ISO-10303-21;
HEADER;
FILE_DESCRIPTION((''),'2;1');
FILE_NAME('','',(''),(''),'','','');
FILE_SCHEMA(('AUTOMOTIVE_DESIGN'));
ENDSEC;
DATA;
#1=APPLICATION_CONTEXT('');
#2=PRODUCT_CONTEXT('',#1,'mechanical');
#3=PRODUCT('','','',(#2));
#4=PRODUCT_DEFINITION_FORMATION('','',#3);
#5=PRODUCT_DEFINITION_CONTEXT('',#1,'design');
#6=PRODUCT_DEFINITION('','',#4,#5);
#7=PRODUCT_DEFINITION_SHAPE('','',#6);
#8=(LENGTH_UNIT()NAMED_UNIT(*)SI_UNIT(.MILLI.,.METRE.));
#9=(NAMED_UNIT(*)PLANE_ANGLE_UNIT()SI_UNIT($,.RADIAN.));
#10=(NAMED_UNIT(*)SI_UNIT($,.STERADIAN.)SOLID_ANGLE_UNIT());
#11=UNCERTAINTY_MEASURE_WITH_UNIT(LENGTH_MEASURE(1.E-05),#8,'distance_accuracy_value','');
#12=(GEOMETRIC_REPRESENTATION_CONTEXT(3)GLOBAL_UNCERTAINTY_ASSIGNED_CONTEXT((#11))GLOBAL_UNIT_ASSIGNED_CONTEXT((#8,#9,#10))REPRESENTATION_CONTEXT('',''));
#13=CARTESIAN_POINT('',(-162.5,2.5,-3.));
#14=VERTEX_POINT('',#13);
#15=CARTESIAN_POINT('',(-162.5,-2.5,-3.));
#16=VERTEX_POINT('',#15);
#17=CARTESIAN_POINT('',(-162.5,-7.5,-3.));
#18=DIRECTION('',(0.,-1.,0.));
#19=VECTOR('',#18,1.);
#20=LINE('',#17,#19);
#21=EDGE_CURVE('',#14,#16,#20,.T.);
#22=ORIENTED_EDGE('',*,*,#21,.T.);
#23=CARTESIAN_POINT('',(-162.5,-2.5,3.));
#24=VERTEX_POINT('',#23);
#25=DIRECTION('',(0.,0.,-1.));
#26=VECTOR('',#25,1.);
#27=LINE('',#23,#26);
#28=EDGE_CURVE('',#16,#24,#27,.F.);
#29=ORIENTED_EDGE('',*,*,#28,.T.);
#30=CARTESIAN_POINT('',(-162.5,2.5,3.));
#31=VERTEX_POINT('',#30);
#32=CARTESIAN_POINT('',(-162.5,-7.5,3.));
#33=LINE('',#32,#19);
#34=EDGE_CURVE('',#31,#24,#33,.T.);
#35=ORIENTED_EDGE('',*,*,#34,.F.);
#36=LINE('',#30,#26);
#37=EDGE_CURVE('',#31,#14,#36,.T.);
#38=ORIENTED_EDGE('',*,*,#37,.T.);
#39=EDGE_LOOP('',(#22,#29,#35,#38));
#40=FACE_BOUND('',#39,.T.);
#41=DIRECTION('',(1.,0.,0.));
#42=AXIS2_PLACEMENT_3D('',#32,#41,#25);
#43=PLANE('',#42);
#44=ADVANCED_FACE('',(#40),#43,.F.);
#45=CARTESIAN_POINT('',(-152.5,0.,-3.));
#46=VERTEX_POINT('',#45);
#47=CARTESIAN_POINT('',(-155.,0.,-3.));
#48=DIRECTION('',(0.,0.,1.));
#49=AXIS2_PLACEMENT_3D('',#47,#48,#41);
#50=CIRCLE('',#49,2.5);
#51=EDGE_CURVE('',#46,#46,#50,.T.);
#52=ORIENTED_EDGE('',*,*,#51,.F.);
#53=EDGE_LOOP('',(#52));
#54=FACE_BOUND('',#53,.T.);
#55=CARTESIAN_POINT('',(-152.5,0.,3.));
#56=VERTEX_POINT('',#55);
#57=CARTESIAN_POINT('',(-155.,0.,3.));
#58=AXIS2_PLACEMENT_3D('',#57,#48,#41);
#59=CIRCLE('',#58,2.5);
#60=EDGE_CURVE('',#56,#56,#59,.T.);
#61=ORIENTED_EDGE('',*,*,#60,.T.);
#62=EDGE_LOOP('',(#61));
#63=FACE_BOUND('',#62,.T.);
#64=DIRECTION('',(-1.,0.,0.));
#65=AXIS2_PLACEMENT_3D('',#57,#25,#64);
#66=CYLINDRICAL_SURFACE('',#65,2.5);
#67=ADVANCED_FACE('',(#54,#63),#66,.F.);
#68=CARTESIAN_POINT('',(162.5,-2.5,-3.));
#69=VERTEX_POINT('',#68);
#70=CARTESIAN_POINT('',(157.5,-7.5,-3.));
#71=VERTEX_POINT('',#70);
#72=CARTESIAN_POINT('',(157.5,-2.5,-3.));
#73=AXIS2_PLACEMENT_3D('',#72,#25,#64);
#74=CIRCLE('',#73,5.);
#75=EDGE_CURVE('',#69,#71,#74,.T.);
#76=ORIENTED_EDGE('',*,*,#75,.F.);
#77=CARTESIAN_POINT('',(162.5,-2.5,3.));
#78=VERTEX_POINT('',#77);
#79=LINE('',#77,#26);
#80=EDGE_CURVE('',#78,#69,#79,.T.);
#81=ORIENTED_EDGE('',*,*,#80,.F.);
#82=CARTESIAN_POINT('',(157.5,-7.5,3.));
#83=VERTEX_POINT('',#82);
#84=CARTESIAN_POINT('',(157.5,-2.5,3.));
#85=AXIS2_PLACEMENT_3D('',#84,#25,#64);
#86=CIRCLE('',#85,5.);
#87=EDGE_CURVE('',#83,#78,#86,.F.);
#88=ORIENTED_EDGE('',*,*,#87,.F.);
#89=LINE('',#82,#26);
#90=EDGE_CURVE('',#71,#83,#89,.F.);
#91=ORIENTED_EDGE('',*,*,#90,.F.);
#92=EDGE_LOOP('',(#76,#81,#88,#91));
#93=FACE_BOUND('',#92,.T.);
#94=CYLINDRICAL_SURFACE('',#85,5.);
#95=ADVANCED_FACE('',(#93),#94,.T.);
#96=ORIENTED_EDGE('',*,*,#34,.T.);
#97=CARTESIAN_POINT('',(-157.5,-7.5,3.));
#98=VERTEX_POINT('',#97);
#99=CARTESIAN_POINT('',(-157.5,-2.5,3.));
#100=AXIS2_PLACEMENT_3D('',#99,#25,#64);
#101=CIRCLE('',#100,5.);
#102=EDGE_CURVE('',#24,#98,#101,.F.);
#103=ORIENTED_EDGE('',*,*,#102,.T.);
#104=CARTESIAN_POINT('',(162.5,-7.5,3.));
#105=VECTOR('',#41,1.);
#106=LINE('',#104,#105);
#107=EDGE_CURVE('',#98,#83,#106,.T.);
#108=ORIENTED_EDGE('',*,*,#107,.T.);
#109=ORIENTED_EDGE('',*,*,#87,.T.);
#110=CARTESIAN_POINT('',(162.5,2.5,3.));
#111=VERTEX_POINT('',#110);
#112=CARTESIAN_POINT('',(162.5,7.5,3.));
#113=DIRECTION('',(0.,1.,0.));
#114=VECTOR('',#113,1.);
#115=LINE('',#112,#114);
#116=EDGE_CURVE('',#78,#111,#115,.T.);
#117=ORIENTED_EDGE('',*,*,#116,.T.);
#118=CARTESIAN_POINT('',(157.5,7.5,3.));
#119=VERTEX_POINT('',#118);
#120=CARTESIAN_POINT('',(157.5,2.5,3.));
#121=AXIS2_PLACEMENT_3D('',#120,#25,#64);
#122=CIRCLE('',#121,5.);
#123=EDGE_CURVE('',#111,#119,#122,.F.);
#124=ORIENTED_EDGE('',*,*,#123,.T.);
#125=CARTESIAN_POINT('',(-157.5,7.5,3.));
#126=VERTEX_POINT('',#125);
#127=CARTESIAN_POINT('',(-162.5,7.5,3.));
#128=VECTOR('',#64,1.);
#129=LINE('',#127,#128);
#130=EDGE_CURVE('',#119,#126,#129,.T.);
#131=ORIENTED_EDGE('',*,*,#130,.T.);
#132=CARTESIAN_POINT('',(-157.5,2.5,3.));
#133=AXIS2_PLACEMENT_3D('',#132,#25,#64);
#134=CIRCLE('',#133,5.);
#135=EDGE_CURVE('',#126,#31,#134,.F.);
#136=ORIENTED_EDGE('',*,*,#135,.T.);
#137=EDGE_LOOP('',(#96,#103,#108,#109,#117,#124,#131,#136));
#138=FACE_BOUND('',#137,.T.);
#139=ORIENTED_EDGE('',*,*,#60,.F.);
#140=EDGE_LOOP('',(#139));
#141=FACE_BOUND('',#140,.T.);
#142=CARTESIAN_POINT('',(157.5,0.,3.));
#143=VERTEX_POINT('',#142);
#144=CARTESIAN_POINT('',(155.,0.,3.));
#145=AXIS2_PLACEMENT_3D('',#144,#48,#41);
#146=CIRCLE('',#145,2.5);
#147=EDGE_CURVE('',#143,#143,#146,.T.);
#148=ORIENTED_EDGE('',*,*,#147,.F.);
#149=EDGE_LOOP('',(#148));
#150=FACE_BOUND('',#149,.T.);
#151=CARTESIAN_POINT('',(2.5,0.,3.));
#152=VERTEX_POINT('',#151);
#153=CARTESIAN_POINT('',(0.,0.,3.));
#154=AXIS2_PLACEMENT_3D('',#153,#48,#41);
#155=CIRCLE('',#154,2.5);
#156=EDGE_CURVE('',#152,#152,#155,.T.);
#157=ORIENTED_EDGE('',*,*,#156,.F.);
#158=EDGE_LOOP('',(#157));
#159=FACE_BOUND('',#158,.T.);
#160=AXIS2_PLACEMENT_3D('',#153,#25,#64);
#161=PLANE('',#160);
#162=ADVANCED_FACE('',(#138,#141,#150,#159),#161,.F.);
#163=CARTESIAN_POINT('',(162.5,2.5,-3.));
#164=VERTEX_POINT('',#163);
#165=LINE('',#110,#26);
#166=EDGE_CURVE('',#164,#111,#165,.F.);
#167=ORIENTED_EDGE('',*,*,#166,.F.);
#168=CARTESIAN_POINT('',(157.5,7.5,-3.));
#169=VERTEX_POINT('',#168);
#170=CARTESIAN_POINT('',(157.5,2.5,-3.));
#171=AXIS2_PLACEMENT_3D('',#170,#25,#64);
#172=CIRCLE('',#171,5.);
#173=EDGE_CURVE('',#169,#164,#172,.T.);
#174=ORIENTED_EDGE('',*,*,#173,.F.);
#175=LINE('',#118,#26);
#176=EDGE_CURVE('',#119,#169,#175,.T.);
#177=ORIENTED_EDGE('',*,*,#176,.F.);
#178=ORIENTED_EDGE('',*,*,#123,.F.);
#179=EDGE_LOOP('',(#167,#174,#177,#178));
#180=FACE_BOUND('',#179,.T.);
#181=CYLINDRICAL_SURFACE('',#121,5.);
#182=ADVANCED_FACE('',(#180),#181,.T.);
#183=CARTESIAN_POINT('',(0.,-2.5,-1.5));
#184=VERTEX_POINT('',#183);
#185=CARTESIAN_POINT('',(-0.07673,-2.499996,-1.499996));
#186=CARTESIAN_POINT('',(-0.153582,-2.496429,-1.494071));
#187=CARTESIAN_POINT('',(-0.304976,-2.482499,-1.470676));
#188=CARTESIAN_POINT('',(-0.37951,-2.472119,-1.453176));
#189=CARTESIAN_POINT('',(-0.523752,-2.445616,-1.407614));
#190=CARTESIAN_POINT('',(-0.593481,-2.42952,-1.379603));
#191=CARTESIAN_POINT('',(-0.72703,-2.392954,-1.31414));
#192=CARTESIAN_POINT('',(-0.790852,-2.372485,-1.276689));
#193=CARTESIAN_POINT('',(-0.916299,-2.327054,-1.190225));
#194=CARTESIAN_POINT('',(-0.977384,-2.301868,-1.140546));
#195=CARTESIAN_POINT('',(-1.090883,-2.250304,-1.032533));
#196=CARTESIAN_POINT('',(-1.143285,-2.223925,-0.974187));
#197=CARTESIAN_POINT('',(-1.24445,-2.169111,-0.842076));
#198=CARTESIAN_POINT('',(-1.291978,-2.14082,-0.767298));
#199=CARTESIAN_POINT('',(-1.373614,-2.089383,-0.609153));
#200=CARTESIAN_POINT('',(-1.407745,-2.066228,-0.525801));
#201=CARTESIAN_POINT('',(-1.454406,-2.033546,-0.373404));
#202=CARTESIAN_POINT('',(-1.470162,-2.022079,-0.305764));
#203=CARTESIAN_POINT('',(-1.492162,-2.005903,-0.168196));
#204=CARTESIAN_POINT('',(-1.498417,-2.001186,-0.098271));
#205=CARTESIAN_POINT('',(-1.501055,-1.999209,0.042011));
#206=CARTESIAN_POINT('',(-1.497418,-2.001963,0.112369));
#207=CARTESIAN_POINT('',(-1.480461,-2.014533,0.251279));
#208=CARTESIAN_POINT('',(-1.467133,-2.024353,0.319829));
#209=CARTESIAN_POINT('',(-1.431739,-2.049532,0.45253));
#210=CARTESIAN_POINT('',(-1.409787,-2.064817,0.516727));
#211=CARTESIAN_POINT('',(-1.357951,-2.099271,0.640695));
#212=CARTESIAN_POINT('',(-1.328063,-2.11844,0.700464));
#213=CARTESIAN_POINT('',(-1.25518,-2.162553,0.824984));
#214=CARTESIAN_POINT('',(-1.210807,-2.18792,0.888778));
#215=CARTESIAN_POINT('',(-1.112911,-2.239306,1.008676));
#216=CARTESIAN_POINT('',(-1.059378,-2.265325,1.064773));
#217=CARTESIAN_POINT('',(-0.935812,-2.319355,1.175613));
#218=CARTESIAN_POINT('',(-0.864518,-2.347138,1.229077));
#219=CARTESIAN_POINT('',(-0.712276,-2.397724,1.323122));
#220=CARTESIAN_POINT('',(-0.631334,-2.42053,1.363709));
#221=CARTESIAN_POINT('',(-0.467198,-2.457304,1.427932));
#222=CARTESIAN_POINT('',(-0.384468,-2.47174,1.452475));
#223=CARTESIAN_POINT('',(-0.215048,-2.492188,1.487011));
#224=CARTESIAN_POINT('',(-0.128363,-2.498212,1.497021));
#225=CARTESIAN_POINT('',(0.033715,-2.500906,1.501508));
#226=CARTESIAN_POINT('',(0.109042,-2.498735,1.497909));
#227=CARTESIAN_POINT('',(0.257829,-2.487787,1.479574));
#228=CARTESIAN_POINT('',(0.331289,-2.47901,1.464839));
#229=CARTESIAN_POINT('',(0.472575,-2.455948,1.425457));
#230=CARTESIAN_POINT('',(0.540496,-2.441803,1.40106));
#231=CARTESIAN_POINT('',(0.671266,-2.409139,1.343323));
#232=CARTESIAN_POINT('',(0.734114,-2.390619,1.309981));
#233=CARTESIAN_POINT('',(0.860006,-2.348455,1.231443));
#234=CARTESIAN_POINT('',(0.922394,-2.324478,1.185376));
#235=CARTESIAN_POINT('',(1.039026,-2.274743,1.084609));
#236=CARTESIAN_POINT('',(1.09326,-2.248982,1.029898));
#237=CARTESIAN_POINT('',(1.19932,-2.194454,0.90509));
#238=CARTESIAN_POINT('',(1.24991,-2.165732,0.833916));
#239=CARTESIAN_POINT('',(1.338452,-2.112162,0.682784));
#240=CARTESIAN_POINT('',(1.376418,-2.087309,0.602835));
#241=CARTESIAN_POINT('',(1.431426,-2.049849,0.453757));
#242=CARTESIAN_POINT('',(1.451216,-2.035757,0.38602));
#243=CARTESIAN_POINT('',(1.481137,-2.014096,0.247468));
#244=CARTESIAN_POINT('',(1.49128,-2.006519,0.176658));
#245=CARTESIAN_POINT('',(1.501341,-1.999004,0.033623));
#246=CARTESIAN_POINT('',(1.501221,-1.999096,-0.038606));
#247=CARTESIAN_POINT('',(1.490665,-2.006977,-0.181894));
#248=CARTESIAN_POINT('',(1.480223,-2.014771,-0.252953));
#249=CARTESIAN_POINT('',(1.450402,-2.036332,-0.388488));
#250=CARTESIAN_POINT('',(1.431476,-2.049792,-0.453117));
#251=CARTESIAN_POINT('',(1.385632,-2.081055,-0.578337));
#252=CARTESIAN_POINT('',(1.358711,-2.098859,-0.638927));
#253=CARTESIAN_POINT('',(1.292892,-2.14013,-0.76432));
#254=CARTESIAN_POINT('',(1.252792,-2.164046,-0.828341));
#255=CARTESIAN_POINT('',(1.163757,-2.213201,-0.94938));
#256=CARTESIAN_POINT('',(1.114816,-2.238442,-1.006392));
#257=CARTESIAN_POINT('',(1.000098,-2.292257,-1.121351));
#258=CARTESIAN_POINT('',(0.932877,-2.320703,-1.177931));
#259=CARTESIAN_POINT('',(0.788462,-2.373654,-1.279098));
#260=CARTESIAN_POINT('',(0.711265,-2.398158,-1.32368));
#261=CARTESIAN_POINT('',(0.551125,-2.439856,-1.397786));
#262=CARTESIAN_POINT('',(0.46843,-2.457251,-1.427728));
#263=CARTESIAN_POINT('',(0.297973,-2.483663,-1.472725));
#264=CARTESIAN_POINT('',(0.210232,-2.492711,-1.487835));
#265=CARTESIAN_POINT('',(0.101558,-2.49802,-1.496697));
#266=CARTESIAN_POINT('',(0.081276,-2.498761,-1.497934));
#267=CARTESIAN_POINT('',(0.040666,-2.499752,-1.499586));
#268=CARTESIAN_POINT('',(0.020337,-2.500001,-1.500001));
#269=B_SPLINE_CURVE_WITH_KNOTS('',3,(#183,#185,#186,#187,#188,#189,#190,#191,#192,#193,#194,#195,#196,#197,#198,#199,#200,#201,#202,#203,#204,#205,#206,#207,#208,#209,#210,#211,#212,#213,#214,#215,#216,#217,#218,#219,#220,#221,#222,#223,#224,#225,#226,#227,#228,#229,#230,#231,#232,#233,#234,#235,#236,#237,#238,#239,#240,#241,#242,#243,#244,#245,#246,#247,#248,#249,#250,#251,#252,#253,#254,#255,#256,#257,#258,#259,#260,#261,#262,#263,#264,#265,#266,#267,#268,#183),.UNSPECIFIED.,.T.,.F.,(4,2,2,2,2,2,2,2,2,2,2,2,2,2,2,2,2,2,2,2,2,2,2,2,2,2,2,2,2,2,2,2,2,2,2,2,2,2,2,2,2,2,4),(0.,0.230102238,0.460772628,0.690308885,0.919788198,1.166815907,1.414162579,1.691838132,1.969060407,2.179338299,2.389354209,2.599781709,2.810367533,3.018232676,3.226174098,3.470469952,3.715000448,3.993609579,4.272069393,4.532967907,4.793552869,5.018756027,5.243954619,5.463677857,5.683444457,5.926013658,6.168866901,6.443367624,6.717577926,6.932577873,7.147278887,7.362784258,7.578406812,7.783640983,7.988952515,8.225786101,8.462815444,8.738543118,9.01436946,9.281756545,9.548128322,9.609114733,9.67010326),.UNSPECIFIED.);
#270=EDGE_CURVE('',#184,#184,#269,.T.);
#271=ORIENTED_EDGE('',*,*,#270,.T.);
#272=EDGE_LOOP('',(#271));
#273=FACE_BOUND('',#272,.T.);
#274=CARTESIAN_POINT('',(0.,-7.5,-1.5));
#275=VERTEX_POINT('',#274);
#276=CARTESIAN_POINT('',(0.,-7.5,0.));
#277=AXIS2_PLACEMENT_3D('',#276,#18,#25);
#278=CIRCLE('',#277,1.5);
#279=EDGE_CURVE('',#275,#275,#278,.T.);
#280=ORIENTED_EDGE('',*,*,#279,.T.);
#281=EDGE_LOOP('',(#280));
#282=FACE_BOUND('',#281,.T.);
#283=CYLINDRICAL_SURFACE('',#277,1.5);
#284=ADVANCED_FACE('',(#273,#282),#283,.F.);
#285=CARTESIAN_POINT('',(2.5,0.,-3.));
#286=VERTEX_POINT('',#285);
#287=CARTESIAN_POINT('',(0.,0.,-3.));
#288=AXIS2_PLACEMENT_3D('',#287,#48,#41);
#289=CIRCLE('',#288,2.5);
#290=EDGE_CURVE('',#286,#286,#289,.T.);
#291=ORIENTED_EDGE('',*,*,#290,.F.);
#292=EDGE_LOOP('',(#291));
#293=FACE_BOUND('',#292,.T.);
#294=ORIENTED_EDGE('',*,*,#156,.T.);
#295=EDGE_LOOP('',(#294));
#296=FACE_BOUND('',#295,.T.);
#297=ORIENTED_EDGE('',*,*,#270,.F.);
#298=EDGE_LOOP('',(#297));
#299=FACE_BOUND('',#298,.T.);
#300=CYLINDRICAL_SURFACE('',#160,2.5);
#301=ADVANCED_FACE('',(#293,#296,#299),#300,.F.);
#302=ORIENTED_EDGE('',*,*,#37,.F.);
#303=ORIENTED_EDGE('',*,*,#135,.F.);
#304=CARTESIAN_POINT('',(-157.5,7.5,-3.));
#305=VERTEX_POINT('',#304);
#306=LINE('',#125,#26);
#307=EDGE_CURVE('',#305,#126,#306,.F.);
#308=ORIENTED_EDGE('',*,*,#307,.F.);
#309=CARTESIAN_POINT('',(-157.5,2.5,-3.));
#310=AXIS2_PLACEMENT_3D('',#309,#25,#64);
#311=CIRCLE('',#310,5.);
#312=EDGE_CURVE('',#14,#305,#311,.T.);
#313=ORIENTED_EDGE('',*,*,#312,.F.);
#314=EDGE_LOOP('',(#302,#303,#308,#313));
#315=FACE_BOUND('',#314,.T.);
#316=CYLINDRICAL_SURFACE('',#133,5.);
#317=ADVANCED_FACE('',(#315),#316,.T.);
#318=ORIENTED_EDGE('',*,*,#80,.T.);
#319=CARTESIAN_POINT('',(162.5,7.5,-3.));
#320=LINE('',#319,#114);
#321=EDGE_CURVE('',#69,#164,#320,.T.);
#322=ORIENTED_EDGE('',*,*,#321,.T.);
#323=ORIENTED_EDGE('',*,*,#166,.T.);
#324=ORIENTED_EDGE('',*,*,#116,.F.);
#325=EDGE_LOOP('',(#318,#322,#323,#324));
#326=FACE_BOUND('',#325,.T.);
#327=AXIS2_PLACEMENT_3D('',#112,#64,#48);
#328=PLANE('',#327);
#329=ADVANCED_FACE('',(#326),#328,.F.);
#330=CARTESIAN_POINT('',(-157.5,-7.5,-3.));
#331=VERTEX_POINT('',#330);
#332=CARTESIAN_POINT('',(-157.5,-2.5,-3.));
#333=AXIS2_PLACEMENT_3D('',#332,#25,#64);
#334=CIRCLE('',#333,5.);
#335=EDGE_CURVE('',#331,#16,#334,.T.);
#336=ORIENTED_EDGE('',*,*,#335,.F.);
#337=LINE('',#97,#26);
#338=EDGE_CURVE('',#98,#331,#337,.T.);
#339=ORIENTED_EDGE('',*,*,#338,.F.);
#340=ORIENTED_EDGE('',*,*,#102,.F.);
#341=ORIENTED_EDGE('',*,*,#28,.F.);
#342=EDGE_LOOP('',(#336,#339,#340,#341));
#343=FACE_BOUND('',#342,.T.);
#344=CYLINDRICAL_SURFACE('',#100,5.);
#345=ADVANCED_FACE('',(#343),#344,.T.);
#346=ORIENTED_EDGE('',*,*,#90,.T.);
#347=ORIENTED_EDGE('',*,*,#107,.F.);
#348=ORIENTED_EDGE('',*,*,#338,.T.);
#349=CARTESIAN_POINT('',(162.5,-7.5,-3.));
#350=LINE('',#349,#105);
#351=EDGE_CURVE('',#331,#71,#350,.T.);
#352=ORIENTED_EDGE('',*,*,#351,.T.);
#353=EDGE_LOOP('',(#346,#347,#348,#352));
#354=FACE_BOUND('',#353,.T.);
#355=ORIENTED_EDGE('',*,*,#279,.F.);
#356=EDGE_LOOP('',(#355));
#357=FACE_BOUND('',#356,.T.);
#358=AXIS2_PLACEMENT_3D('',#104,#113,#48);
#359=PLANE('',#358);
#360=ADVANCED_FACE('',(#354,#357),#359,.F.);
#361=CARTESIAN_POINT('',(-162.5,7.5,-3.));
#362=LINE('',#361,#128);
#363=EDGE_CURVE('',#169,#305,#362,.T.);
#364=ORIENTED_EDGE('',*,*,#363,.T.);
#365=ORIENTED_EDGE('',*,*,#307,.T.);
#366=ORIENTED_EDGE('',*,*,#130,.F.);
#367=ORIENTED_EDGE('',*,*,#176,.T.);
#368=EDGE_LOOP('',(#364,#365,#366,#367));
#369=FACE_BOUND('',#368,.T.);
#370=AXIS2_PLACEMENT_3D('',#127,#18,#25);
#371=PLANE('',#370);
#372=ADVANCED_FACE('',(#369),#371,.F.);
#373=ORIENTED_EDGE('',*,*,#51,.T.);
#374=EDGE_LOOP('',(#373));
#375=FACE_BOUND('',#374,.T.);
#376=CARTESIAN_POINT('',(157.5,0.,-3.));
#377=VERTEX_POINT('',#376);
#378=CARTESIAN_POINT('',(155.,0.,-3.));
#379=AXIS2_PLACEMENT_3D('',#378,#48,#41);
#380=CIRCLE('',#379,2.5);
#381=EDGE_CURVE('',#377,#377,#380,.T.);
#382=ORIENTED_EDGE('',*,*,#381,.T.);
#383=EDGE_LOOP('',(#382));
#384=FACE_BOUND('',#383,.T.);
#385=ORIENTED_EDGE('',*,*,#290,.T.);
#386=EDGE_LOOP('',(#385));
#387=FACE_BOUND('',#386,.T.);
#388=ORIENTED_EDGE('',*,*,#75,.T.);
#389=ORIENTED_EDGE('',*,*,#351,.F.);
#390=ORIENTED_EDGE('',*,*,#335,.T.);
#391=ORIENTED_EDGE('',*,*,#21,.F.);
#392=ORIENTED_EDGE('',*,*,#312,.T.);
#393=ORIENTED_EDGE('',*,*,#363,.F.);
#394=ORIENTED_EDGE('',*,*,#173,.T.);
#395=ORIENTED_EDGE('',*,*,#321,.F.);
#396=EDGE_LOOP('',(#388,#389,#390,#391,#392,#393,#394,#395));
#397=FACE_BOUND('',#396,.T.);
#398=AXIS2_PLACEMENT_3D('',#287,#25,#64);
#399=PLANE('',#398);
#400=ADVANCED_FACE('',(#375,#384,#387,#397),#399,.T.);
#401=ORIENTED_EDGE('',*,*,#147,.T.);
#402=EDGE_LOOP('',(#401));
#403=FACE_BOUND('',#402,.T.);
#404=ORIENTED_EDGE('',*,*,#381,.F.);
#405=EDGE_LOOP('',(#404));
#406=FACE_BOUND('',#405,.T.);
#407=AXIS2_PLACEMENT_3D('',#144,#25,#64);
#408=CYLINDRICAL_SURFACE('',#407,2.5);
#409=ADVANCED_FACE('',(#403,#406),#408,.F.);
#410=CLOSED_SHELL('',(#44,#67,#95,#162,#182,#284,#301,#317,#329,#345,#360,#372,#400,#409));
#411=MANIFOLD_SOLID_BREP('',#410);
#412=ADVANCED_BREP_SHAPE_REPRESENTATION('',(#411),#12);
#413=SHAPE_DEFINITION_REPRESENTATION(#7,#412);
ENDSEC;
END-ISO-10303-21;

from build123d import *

# Parameters (mm, degrees)
SZKIC1_W                       = 325
SZKIC1_H                       = 15
SZKIC1_R                       = 2.5
DODANIE_WYCI_GNI_CIE1_DEPTH    = 3
ZAOKR_GLENIE1_R                = 5
OTWORY_USTALAJ_CE_3_0MM1_D     = 3
OTWORY_USTALAJ_CE_3_0MM1_DEPTH = 7.499
OTWORY_USTALAJ_CE_3_0MM1_TIP   = 0.901290929


with BuildPart() as part:
    # Szkic1 → Dodanie-wyciągnięcie1 (new, symmetric)
    with BuildSketch(Plane.XY):
        Rectangle(SZKIC1_W, SZKIC1_H)
        with Locations((155, 0)):
            Circle(SZKIC1_R, mode=Mode.SUBTRACT)
        with Locations((-155, 0)):
            Circle(SZKIC1_R, mode=Mode.SUBTRACT)
        Circle(SZKIC1_R, mode=Mode.SUBTRACT)
    extrude(amount=DODANIE_WYCI_GNI_CIE1_DEPTH, both=True)

    # Zaokrąglenie1
    zaokr_glenie1_edges = [part.edges().sort_by_distance(p)[0] for p in [
        (162.5, 7.5, 0),
        (162.5, -7.5, 0),
        (-162.5, -7.5, 0),
        (-162.5, 7.5, 0),
    ]]
    fillet(zaokr_glenie1_edges, radius=ZAOKR_GLENIE1_R)

    # Otwory ustalające Ø3.0mm1
    with Locations(Plane(origin=(0, -7.5, 0), x_dir=(-1, 0, 0), z_dir=(0, -1, 0))):
        with Locations((0, 0)):
            Hole(OTWORY_USTALAJ_CE_3_0MM1_D / 2, depth=OTWORY_USTALAJ_CE_3_0MM1_DEPTH)
            with Locations((0, 0, -(OTWORY_USTALAJ_CE_3_0MM1_DEPTH + OTWORY_USTALAJ_CE_3_0MM1_TIP / 2))):  # 118° drill point
                Cone(0, OTWORY_USTALAJ_CE_3_0MM1_D / 2, OTWORY_USTALAJ_CE_3_0MM1_TIP, mode=Mode.SUBTRACT)


solid = part.part
